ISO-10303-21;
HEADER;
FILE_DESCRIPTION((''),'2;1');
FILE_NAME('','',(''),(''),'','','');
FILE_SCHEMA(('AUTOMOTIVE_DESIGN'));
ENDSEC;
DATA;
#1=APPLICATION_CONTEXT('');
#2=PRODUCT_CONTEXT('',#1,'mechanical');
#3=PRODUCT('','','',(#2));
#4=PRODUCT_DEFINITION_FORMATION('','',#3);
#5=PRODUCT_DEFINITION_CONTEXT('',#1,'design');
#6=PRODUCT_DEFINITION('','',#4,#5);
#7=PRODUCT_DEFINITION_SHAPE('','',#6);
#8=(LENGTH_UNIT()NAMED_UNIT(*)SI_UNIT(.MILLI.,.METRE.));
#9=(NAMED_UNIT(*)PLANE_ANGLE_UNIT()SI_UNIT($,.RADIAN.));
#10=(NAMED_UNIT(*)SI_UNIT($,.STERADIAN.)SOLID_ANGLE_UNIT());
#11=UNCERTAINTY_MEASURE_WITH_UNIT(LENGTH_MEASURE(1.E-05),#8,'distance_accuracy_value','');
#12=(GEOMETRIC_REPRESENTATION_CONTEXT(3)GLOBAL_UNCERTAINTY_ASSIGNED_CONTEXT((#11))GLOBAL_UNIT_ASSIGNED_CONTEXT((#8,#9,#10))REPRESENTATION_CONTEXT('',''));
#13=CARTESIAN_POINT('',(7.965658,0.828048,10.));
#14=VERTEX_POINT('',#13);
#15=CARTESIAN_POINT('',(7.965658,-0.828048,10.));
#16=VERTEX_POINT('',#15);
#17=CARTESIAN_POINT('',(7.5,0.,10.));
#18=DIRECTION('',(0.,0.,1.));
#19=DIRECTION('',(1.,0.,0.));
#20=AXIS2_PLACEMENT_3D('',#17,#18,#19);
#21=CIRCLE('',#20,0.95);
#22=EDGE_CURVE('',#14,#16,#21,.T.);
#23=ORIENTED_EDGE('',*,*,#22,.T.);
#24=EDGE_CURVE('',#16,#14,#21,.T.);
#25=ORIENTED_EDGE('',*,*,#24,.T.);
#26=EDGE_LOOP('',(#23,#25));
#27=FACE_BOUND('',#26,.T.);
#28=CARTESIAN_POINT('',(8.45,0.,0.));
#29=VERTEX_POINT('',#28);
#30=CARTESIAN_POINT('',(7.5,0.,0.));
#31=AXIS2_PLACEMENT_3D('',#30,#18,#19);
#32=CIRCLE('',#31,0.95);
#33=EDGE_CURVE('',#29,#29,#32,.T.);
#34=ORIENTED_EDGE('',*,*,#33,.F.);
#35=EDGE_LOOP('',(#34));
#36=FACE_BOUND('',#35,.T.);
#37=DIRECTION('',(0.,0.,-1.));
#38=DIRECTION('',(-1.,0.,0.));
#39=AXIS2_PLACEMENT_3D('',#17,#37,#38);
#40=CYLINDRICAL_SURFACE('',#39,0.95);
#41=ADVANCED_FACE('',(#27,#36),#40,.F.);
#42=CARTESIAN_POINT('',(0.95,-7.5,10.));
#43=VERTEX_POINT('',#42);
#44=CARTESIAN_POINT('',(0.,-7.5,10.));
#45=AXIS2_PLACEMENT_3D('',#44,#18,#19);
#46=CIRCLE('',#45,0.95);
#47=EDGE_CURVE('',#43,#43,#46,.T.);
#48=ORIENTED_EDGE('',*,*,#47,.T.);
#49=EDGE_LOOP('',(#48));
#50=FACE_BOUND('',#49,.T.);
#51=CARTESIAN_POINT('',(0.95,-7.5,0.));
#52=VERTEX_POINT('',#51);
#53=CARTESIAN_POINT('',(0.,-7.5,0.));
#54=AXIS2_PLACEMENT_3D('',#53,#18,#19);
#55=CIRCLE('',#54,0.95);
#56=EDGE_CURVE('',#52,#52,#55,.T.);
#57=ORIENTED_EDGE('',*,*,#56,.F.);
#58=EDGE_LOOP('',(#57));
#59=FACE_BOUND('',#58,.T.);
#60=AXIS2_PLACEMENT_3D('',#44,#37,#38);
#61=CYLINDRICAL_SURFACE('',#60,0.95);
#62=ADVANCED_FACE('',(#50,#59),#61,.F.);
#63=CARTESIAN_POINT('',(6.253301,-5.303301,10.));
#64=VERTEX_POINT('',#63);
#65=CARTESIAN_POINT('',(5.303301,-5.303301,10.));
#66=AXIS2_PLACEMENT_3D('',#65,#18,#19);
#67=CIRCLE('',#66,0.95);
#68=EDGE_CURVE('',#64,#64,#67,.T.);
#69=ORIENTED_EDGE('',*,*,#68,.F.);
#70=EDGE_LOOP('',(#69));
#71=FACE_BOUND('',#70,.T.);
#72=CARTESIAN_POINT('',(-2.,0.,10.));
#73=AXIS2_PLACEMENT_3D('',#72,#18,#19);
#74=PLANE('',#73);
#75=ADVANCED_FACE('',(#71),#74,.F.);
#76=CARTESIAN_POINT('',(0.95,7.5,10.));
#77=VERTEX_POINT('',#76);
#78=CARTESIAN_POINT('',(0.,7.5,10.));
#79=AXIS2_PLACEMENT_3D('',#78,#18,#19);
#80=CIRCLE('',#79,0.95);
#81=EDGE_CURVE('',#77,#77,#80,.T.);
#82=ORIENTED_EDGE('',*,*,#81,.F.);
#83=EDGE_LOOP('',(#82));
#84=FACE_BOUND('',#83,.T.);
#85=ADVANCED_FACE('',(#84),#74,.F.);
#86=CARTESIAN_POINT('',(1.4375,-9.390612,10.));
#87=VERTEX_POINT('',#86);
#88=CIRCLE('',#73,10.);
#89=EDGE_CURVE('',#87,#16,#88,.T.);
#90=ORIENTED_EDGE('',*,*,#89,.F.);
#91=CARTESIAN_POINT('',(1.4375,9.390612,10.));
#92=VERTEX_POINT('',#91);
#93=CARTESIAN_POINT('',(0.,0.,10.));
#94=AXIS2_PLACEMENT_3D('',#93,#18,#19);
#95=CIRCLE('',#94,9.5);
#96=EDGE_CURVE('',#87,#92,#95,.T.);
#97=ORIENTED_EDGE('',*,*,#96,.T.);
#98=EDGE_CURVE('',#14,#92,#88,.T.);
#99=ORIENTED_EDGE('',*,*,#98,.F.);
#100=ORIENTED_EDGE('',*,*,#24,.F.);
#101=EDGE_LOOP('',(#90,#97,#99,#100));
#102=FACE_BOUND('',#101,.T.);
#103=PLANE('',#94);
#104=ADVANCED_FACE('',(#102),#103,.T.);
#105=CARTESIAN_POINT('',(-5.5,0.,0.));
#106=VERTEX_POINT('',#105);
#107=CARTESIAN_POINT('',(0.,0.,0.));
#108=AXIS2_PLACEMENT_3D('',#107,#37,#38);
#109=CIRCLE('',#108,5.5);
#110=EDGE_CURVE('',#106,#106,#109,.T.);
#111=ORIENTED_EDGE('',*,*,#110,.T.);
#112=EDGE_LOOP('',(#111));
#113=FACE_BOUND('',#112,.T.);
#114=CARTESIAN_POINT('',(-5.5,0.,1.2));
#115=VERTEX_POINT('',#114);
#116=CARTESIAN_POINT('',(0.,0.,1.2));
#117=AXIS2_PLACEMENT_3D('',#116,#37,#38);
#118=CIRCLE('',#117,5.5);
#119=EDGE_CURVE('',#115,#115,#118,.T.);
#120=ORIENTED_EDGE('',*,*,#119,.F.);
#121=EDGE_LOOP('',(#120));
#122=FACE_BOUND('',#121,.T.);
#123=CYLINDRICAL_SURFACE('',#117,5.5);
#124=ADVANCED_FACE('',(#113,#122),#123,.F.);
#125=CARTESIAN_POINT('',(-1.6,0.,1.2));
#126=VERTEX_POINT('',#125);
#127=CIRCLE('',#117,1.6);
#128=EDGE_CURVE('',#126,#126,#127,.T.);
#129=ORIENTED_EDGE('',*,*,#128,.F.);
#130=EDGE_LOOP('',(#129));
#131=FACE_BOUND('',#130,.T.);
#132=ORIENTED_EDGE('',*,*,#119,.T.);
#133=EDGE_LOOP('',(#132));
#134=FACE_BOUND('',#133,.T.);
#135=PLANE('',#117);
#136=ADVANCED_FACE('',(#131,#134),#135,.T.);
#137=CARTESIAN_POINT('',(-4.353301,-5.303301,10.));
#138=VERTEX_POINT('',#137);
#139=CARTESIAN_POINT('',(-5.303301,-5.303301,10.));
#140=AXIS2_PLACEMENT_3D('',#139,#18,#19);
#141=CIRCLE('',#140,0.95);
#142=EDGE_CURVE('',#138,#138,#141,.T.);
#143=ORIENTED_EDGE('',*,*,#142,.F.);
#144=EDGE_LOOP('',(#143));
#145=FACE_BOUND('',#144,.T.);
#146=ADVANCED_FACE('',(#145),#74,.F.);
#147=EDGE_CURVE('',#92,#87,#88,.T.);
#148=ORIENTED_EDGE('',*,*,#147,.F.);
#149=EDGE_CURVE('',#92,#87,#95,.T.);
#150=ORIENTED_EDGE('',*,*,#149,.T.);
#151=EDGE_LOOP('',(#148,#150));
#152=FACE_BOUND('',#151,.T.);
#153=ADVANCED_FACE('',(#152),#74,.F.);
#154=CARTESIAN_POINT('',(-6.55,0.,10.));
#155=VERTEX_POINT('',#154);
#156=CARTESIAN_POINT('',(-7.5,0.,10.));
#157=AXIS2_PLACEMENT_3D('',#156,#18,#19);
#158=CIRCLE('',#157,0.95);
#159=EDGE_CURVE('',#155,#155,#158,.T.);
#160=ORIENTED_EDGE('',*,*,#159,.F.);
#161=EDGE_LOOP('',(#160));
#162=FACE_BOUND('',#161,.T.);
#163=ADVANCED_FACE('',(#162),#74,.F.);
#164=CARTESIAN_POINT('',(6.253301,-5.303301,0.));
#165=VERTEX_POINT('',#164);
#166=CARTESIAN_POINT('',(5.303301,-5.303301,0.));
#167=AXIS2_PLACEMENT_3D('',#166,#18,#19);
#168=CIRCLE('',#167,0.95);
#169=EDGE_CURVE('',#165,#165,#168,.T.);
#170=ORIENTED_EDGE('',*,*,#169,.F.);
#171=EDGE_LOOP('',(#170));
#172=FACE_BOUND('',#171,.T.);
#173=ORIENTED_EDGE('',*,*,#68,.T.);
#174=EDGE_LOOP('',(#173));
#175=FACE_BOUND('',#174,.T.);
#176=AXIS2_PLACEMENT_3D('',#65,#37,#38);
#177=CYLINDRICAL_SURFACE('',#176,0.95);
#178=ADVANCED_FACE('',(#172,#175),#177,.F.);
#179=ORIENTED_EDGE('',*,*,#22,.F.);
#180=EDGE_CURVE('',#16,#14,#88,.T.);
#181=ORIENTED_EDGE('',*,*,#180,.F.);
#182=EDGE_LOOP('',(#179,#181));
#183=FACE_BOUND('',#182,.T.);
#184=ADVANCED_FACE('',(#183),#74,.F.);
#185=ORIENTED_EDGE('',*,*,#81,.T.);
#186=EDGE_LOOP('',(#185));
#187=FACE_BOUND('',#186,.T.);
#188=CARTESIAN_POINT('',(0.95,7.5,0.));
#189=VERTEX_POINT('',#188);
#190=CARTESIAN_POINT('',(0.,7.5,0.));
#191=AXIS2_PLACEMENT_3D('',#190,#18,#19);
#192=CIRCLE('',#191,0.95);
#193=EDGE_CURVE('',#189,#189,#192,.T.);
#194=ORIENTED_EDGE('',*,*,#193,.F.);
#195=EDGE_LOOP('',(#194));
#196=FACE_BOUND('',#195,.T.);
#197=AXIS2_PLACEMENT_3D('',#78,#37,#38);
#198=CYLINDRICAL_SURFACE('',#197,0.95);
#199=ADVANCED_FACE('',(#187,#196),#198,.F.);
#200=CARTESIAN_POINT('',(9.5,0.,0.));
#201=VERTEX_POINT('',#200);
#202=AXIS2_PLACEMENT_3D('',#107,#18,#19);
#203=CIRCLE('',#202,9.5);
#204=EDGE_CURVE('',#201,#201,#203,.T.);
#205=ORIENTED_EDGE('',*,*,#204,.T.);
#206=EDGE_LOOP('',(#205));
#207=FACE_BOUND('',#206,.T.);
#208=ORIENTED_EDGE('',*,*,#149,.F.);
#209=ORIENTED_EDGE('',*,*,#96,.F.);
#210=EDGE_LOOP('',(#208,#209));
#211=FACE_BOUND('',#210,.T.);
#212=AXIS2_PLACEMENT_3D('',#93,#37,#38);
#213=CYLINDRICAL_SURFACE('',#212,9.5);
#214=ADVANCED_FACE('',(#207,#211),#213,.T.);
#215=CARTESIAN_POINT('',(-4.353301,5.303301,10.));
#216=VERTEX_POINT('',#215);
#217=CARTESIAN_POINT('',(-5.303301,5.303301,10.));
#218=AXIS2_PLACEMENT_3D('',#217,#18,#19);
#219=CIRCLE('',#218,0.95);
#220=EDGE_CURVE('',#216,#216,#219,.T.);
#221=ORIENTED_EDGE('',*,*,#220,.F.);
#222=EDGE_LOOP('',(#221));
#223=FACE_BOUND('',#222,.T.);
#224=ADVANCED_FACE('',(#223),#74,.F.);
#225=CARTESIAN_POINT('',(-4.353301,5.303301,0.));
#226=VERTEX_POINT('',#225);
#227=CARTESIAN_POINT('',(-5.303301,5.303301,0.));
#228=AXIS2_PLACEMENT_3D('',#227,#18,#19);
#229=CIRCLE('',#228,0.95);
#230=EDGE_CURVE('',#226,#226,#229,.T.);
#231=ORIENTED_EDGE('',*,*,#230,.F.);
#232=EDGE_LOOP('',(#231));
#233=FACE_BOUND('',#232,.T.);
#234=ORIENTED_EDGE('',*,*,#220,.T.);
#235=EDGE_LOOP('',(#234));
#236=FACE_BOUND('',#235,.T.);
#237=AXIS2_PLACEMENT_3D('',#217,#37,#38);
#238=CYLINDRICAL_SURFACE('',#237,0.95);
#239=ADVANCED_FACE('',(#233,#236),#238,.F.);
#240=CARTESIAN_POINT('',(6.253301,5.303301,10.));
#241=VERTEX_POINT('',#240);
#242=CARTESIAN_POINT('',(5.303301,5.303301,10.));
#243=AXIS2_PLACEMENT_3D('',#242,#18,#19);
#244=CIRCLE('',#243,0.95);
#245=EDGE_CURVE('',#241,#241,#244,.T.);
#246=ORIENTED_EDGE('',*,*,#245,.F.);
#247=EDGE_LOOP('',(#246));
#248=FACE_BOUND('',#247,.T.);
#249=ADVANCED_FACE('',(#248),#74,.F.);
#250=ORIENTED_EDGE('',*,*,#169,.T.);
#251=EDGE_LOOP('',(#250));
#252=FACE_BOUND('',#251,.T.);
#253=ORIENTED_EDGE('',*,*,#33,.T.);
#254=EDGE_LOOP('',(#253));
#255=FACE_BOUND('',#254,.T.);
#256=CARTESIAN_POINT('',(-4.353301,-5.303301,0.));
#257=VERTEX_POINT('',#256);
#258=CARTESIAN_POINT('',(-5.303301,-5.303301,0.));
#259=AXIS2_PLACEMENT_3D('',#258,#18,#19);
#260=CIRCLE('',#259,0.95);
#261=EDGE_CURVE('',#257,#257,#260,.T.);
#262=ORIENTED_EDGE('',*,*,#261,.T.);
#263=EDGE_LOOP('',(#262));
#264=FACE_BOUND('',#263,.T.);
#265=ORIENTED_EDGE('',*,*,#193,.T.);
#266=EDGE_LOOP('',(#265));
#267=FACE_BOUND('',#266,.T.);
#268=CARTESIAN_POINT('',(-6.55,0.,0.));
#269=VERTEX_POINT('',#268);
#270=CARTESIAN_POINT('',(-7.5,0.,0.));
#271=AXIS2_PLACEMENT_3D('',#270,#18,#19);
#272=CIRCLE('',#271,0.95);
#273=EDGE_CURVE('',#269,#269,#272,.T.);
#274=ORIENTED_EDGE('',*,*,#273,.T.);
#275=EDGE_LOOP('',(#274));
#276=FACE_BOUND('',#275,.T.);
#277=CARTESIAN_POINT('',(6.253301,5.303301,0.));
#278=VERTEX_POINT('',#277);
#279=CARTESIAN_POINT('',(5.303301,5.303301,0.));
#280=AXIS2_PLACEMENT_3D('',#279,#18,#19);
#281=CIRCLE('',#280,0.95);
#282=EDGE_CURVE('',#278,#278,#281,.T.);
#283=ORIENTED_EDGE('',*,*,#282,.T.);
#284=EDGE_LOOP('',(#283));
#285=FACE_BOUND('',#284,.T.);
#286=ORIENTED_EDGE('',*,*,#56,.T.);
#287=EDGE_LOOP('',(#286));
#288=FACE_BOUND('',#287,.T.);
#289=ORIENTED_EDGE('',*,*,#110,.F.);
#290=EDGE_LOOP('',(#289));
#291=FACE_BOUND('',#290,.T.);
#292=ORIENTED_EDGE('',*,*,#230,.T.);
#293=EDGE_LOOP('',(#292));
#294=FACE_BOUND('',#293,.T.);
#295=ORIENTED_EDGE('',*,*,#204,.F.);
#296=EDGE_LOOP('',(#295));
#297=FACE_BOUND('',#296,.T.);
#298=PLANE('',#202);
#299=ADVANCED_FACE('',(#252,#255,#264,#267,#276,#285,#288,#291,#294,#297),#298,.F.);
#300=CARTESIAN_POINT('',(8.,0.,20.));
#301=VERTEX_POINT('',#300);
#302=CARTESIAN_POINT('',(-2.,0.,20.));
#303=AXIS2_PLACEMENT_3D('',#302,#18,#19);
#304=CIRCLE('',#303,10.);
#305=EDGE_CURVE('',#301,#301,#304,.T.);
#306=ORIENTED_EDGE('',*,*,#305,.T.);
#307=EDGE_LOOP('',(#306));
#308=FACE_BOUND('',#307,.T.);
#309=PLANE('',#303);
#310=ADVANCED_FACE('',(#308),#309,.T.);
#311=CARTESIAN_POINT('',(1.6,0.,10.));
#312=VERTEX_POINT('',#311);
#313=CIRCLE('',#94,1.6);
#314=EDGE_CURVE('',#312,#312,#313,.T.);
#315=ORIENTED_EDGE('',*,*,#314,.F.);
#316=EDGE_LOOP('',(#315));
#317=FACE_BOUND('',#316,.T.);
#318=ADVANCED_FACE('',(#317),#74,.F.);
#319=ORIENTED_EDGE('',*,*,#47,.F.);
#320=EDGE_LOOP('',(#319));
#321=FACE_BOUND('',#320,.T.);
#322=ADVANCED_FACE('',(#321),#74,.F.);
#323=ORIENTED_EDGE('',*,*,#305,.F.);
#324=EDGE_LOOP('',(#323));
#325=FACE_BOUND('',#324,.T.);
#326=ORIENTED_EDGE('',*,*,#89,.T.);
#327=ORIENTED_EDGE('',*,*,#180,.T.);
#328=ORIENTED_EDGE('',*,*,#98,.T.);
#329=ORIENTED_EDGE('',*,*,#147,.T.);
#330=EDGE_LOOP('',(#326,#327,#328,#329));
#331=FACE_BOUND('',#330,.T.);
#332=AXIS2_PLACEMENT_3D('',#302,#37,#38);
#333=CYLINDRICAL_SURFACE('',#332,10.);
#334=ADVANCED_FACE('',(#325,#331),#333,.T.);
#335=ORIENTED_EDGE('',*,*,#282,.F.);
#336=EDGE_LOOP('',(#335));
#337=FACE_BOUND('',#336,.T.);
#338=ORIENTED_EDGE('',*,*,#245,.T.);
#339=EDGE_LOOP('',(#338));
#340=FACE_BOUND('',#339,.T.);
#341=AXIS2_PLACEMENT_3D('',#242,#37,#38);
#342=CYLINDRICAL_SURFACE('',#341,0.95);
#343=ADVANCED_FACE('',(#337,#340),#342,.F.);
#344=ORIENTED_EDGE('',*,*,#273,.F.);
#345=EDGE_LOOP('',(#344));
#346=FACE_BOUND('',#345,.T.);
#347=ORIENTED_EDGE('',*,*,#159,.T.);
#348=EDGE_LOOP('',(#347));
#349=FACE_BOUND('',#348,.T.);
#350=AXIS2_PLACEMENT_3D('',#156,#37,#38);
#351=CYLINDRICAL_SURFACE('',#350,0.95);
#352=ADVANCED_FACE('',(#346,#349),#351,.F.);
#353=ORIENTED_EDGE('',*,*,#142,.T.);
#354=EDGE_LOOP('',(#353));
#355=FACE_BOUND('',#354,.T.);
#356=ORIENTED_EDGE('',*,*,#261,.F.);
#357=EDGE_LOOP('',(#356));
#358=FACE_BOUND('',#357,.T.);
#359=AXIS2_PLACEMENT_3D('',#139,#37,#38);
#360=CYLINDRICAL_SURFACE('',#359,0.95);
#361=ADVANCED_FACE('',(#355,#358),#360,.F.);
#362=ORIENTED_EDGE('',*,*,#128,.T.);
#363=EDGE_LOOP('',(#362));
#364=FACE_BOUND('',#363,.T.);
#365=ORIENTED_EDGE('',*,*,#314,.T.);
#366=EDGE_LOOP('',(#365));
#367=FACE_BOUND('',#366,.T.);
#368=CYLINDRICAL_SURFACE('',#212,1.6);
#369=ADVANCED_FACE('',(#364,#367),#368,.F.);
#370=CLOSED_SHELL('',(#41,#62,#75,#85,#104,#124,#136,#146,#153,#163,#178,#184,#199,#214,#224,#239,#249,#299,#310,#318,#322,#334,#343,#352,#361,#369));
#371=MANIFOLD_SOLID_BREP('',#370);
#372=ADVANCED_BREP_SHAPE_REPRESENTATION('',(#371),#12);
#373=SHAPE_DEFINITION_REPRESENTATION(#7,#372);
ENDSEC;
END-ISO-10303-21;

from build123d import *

# Parameters (mm, degrees)
SKETCH1_R           = 9.5
SKETCH1_R_2         = 1.6
SKETCH1_R_3         = 0.95
BOSS_EXTRUDE1_DEPTH = 10
SKETCH2_R           = 10
BOSS_EXTRUDE2_DEPTH = 10
SKETCH5_R           = 5.5
CUT_EXTRUDE1_DEPTH  = 1.2


with BuildPart() as part:
    # Sketch1 → Boss-Extrude1 (new body)
    with BuildSketch(Plane.XY):
        Circle(SKETCH1_R)
        Circle(SKETCH1_R_2, mode=Mode.SUBTRACT)
        with Locations((-7.5, 0)):
            Circle(SKETCH1_R_3, mode=Mode.SUBTRACT)
        with Locations((-5.303300859, 5.303300859)):
            Circle(SKETCH1_R_3, mode=Mode.SUBTRACT)
        with Locations((0, 7.5)):
            Circle(SKETCH1_R_3, mode=Mode.SUBTRACT)
        with Locations((5.303300859, 5.303300859)):
            Circle(SKETCH1_R_3, mode=Mode.SUBTRACT)
        with Locations((7.5, 0)):
            Circle(SKETCH1_R_3, mode=Mode.SUBTRACT)
        with Locations((5.303300859, -5.303300859)):
            Circle(SKETCH1_R_3, mode=Mode.SUBTRACT)
        with Locations((0, -7.5)):
            Circle(SKETCH1_R_3, mode=Mode.SUBTRACT)
        with Locations((-5.303300859, -5.303300859)):
            Circle(SKETCH1_R_3, mode=Mode.SUBTRACT)
    extrude(amount=BOSS_EXTRUDE1_DEPTH)

    # Sketch2 → Boss-Extrude2 (add)
    with BuildSketch(Plane.XY.offset(10)):
        with Locations(Location((-2, 0, 0), (0, 0, 69.894490212))):
            Circle(SKETCH2_R)
    extrude(amount=BOSS_EXTRUDE2_DEPTH)

    # Sketch5 → Cut-Extrude1 (cut)
    with BuildSketch(Plane(origin=(0, 0, 0), x_dir=(-1, 0, 0), z_dir=(0, 0, -1))):
        Circle(SKETCH5_R)
    extrude(amount=-CUT_EXTRUDE1_DEPTH, mode=Mode.SUBTRACT)


solid = part.part
